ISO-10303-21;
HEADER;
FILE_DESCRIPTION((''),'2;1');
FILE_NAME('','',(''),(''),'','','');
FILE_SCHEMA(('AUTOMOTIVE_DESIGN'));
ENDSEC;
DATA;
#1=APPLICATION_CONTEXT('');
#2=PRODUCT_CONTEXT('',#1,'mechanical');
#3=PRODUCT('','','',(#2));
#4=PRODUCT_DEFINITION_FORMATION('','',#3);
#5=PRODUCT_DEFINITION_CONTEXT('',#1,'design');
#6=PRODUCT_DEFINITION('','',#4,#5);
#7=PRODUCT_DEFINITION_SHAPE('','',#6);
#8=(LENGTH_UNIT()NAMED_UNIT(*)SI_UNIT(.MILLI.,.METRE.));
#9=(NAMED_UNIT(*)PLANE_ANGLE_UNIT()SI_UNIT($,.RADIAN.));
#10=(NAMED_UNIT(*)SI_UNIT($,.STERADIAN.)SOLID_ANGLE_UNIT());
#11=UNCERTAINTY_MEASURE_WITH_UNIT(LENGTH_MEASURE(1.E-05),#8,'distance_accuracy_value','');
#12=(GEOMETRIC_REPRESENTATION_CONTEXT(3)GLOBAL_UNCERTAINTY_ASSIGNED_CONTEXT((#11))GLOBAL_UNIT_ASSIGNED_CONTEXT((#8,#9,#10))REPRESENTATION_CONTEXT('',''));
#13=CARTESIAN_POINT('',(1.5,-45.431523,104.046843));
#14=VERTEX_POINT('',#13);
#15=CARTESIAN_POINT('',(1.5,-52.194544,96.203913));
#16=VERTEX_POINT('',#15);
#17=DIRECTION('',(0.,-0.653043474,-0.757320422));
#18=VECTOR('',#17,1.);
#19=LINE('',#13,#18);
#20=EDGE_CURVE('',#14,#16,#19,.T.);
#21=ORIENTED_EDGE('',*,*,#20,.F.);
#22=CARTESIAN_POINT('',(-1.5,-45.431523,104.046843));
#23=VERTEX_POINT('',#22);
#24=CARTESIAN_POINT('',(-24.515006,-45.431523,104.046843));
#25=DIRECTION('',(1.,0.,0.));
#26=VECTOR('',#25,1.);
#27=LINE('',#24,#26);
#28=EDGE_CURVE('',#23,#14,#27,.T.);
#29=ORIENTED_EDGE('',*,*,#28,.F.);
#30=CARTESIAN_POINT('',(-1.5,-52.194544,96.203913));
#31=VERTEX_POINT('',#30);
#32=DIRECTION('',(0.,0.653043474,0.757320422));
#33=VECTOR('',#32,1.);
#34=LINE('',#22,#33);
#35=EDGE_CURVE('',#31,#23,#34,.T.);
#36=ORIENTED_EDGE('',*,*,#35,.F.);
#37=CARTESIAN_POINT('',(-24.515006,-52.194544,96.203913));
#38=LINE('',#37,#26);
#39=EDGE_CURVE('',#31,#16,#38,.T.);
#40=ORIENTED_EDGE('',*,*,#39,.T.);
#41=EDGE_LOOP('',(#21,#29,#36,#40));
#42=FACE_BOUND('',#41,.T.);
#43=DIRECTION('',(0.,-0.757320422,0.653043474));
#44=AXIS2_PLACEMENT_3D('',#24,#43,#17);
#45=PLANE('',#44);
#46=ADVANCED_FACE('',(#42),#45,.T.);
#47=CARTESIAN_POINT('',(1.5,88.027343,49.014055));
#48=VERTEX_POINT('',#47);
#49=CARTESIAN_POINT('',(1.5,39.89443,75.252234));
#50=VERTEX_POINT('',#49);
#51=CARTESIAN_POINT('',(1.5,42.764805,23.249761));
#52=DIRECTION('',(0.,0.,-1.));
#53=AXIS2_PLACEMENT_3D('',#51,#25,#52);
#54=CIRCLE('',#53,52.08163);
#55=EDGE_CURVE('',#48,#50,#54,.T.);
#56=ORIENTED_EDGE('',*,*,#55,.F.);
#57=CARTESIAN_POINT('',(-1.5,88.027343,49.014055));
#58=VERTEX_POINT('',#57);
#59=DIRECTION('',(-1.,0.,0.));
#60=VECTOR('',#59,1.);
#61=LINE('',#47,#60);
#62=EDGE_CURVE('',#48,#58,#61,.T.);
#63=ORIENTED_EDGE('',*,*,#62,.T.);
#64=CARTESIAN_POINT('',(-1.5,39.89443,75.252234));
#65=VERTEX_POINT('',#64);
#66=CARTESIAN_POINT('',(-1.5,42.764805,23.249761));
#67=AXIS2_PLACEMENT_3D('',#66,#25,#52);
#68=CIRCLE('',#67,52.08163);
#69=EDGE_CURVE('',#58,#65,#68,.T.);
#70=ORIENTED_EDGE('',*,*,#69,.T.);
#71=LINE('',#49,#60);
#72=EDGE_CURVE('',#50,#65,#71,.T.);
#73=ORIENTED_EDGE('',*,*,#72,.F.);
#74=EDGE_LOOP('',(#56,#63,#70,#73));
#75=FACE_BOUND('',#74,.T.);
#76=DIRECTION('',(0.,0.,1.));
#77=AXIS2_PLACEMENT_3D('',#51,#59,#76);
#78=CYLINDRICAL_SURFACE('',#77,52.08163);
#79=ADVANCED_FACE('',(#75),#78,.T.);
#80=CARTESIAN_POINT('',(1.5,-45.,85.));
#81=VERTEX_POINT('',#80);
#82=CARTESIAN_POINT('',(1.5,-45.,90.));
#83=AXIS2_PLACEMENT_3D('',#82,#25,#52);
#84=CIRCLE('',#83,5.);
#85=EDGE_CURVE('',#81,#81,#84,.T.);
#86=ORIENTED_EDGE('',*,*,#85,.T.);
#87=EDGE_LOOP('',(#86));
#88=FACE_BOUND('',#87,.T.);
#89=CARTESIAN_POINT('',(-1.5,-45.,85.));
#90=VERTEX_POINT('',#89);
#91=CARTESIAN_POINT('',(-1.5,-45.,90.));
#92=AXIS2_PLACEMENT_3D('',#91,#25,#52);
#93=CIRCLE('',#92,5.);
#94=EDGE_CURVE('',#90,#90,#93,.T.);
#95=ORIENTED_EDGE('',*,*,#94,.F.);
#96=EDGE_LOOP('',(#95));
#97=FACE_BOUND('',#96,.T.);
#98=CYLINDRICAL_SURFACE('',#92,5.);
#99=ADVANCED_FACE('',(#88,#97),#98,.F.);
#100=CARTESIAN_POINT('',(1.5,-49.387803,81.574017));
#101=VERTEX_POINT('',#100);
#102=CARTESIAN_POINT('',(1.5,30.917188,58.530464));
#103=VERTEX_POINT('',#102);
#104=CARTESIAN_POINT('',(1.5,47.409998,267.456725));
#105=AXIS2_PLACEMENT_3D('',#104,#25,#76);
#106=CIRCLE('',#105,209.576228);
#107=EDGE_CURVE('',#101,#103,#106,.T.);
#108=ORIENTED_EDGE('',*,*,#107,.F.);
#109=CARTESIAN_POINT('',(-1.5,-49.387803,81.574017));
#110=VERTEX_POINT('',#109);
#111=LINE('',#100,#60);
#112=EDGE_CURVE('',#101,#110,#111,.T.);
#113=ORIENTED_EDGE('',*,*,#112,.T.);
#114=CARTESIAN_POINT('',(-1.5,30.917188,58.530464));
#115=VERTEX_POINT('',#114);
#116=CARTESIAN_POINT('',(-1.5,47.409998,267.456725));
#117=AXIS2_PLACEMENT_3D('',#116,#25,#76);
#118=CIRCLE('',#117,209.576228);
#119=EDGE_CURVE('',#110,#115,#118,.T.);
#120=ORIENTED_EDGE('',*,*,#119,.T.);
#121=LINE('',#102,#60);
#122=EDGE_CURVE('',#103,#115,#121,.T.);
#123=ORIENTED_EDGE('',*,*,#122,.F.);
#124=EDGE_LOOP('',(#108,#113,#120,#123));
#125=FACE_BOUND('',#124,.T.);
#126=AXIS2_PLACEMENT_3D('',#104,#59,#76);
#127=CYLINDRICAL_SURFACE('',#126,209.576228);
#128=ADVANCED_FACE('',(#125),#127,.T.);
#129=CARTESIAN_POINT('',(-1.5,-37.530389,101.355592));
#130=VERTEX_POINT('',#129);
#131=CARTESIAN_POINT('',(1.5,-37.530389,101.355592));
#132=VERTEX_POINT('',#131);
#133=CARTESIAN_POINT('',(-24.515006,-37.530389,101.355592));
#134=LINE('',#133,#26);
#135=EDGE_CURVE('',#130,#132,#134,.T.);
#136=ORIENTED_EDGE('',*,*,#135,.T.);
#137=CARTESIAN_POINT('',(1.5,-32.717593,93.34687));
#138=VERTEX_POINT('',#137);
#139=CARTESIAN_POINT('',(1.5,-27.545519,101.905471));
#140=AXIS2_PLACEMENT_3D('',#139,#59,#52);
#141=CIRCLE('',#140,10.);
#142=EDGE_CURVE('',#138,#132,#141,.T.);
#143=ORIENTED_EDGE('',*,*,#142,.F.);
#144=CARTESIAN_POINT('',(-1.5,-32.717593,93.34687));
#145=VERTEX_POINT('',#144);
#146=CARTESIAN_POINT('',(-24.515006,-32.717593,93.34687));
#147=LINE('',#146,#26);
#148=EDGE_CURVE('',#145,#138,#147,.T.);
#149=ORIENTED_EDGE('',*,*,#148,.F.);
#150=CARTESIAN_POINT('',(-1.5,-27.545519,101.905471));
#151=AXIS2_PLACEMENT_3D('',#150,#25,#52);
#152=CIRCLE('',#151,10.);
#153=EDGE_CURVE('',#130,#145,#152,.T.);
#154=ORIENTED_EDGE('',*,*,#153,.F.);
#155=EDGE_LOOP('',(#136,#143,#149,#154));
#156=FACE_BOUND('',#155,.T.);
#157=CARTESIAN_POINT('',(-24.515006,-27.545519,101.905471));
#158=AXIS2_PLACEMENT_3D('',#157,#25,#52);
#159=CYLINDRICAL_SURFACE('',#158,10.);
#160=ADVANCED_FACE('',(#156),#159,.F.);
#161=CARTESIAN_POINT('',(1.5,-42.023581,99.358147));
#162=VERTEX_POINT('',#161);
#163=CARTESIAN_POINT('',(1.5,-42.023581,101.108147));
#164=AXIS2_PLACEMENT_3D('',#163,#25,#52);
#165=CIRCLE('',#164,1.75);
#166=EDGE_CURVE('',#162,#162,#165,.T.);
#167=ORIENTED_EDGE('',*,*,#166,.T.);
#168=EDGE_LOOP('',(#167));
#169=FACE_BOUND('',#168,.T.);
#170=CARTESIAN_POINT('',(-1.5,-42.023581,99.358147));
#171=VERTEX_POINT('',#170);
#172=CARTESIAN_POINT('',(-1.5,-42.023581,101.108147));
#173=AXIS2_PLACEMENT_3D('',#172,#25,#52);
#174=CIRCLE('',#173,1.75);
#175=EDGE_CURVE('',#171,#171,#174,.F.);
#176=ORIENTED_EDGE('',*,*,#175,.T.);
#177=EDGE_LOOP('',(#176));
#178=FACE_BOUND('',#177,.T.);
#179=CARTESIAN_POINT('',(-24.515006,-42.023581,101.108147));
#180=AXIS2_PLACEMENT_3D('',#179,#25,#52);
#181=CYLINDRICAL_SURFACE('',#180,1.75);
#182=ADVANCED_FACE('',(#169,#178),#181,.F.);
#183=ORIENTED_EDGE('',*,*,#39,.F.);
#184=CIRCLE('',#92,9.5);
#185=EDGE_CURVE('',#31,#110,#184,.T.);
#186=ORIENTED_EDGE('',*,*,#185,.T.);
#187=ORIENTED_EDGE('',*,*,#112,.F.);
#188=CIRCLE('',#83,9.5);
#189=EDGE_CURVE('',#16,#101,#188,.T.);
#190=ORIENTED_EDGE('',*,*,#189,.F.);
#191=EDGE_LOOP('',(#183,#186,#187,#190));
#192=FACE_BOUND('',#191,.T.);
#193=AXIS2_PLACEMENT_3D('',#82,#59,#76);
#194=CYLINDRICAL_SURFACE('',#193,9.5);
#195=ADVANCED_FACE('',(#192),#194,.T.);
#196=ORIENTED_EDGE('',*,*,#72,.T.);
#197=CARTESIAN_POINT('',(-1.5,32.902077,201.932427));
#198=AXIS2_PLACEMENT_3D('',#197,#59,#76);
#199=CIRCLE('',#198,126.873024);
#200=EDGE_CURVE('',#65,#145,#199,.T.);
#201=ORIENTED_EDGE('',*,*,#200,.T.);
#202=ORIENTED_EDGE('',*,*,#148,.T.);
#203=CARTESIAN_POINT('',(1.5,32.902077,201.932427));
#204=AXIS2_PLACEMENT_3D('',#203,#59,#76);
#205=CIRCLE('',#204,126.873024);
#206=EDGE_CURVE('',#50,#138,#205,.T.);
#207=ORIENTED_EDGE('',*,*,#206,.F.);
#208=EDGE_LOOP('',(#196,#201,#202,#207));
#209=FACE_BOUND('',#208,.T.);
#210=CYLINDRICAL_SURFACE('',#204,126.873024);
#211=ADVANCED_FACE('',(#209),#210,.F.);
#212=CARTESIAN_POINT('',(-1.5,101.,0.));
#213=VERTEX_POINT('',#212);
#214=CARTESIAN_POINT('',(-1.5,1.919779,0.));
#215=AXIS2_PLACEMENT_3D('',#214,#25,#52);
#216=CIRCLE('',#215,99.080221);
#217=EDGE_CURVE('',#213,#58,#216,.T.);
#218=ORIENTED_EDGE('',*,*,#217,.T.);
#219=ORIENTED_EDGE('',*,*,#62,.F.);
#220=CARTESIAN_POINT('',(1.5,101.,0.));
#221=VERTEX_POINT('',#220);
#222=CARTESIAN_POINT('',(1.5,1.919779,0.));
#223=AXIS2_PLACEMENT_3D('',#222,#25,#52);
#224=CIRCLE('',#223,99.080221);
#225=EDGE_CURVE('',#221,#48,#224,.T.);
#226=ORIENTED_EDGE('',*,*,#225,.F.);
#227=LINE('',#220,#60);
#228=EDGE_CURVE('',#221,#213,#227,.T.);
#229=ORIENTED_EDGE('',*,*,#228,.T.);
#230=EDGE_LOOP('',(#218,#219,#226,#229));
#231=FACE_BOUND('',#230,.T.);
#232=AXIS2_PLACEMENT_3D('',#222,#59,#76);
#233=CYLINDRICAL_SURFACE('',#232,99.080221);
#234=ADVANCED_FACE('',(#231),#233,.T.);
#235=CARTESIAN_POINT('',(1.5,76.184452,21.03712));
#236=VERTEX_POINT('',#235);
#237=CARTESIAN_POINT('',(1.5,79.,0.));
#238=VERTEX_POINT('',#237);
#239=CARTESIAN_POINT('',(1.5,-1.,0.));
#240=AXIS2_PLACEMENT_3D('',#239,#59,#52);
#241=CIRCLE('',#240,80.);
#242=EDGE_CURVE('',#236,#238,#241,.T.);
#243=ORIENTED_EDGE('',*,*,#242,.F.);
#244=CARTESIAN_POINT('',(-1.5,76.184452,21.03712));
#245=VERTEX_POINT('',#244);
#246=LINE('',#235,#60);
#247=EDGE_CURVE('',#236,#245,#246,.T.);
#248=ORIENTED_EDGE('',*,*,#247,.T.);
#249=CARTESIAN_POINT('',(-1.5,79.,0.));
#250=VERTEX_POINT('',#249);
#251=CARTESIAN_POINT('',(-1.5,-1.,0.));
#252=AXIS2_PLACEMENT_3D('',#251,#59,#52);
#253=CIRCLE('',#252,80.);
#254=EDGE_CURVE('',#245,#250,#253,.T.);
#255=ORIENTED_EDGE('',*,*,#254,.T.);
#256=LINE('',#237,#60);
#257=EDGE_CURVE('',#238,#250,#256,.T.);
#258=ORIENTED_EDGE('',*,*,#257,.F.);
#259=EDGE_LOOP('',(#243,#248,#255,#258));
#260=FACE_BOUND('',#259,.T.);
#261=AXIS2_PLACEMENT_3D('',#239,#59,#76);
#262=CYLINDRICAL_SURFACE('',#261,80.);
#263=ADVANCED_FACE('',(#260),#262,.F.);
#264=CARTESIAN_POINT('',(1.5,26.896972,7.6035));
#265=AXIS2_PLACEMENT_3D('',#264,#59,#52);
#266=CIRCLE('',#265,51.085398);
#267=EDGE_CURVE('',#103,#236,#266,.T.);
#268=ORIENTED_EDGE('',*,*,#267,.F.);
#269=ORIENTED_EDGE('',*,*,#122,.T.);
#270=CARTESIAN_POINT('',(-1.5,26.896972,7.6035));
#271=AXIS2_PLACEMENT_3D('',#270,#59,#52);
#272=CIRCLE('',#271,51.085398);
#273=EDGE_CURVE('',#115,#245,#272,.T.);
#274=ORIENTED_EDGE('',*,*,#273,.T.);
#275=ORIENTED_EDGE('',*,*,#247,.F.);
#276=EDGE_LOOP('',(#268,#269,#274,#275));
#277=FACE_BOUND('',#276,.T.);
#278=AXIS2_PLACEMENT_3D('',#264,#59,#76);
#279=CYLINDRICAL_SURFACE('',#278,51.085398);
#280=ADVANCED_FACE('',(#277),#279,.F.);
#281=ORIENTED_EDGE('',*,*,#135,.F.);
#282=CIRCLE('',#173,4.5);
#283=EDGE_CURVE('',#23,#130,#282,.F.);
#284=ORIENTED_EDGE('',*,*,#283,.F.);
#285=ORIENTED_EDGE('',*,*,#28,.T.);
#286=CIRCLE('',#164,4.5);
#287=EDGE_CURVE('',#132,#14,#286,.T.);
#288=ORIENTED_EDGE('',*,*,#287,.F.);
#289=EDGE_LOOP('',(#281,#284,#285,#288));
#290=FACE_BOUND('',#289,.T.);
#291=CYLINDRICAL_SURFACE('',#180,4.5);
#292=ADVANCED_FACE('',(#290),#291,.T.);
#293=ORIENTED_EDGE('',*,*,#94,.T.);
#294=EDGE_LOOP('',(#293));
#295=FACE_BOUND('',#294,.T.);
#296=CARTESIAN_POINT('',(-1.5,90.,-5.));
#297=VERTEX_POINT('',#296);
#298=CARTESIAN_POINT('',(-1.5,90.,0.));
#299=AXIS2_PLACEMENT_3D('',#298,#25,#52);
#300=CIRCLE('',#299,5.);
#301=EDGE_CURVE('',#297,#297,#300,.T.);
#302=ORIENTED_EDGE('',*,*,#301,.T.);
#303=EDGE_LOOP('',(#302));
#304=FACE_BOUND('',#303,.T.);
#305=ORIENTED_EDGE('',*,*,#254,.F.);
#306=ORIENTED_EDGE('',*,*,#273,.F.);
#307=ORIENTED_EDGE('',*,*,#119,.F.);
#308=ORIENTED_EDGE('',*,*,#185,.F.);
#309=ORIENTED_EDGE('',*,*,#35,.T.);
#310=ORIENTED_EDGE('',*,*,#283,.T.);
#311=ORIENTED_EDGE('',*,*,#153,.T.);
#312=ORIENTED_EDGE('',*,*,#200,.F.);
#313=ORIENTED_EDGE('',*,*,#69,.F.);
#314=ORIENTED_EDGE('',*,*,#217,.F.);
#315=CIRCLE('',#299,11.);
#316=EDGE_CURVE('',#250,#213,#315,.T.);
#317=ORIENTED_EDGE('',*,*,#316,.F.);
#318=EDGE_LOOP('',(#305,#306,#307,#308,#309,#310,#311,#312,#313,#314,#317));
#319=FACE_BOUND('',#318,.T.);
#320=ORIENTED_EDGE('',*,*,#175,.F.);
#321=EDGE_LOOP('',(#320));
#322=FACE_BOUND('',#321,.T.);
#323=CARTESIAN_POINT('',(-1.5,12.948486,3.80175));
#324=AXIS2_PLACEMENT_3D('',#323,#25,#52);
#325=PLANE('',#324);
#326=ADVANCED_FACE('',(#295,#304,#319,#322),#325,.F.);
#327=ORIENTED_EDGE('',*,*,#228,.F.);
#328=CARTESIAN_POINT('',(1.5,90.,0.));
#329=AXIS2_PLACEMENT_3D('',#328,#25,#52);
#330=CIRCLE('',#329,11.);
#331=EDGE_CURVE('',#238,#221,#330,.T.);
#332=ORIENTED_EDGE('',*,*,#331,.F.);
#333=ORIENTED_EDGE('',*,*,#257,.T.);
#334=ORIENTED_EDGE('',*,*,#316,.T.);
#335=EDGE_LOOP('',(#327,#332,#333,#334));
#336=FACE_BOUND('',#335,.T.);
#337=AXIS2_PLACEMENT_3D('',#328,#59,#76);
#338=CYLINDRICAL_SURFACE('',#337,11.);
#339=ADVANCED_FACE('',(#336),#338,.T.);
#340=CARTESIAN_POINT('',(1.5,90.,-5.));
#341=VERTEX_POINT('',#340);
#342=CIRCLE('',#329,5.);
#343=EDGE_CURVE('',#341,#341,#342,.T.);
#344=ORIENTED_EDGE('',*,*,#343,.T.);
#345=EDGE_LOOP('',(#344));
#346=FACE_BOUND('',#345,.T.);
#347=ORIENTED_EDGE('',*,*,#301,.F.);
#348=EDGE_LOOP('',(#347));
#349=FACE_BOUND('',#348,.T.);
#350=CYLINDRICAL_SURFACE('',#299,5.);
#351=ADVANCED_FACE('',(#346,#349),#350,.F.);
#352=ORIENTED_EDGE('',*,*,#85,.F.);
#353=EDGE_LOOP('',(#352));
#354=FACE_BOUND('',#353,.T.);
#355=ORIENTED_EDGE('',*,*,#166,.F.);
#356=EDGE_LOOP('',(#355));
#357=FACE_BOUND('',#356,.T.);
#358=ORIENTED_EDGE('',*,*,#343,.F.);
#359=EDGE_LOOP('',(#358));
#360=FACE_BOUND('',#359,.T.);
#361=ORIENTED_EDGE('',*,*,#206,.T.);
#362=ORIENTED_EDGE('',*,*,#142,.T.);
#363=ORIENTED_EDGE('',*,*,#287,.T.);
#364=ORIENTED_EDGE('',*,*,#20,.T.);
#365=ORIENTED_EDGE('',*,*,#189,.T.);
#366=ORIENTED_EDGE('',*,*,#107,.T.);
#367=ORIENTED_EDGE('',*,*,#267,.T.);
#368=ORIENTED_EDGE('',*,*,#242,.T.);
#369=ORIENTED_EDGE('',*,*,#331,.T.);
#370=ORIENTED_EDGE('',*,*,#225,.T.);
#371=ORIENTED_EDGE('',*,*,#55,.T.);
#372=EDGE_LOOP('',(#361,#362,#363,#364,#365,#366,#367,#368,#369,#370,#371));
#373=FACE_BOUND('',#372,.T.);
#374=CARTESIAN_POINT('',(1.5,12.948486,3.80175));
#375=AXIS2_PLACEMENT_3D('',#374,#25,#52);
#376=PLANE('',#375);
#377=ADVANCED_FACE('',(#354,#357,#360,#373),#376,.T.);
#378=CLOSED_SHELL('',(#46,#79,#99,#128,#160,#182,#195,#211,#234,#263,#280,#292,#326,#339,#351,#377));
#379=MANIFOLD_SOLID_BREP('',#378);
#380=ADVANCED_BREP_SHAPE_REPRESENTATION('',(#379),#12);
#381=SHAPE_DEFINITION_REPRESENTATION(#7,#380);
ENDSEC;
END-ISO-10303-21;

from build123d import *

# Parameters (mm, degrees)
BOSS_EXTRUDE1_DEPTH = 1.5
SKETCH2_R           = 5
CUT_EXTRUDE1_DEPTH  = 142.810613143
SKETCH4_R           = 1.75
BOSS_EXTRUDE2_DEPTH = 3


with BuildPart() as part:
    # Sketch1 → Boss-Extrude1 (new, symmetric)
    with BuildSketch(Plane(origin=(0, 0, 0), x_dir=(0, 0, -1), z_dir=(1, 0, 0))):
        with BuildLine():
            ThreePointArc((0, 79), (11, 90), (0, 101))
            ThreePointArc((0, 101), (-25.350874614, 97.701945149), (-49.014054674, 88.027343403))
            ThreePointArc((-49.014054674, 88.027343403), (-68.978437503, 67.692387852), (-75.252234106, 39.89442974))
            ThreePointArc((-75.252234106, 39.89442974), (-79.876334442, -1.725579257), (-97.797422275, -39.573195612))
            ThreePointArc((-97.797422275, -39.573195612), (-94.917356951, -53.128320897), (-81.574017035, -49.387802533))
            ThreePointArc((-81.574017035, -49.387802533), (-66.010073659, -10.395208993), (-58.530464131, 30.917187762))
            ThreePointArc((-58.530464131, 30.917187762), (-46.946256543, 59.483246729), (-21.037120215, 76.184451628))
            ThreePointArc((-21.037120215, 76.184451628), (-10.612348227, 78.292988751), (0, 79))
        make_face()
    extrude(amount=BOSS_EXTRUDE1_DEPTH, both=True)

    # Sketch2 → Cut-Extrude1 (cut, through all)
    with BuildSketch(Plane(origin=(1.5, 0, 0), x_dir=(0, 0, -1), z_dir=(1, 0, 0))):
        with Locations((0, 90)):
            Circle(SKETCH2_R)
        with Locations((-90, -45)):
            Circle(SKETCH2_R)
    extrude(amount=-CUT_EXTRUDE1_DEPTH, mode=Mode.SUBTRACT)

    # Sketch4 → Boss-Extrude2 (add)
    with BuildSketch(Plane(origin=(1.5, 0, 0), x_dir=(0, 0, -1), z_dir=(1, 0, 0))):
        with BuildLine():
            Line((-104.046842635, -45.431522879), (-96.203913002, -52.194544007))
            ThreePointArc((-96.203913002, -52.194544007), (-96.739012984, -42.16802815), (-93.346869933, -32.717593358))
            ThreePointArc((-93.346869933, -32.717593358), (-96.754563068, -36.116875497), (-101.355592309, -37.530389374))
            ThreePointArc((-101.355592309, -37.530389374), (-105.36782436, -40.572667885), (-104.046842635, -45.431522879))
        make_face()
        with Locations((-101.108147002, -42.023580981)):
            Circle(SKETCH4_R, mode=Mode.SUBTRACT)
    extrude(amount=-BOSS_EXTRUDE2_DEPTH)


solid = part.part
